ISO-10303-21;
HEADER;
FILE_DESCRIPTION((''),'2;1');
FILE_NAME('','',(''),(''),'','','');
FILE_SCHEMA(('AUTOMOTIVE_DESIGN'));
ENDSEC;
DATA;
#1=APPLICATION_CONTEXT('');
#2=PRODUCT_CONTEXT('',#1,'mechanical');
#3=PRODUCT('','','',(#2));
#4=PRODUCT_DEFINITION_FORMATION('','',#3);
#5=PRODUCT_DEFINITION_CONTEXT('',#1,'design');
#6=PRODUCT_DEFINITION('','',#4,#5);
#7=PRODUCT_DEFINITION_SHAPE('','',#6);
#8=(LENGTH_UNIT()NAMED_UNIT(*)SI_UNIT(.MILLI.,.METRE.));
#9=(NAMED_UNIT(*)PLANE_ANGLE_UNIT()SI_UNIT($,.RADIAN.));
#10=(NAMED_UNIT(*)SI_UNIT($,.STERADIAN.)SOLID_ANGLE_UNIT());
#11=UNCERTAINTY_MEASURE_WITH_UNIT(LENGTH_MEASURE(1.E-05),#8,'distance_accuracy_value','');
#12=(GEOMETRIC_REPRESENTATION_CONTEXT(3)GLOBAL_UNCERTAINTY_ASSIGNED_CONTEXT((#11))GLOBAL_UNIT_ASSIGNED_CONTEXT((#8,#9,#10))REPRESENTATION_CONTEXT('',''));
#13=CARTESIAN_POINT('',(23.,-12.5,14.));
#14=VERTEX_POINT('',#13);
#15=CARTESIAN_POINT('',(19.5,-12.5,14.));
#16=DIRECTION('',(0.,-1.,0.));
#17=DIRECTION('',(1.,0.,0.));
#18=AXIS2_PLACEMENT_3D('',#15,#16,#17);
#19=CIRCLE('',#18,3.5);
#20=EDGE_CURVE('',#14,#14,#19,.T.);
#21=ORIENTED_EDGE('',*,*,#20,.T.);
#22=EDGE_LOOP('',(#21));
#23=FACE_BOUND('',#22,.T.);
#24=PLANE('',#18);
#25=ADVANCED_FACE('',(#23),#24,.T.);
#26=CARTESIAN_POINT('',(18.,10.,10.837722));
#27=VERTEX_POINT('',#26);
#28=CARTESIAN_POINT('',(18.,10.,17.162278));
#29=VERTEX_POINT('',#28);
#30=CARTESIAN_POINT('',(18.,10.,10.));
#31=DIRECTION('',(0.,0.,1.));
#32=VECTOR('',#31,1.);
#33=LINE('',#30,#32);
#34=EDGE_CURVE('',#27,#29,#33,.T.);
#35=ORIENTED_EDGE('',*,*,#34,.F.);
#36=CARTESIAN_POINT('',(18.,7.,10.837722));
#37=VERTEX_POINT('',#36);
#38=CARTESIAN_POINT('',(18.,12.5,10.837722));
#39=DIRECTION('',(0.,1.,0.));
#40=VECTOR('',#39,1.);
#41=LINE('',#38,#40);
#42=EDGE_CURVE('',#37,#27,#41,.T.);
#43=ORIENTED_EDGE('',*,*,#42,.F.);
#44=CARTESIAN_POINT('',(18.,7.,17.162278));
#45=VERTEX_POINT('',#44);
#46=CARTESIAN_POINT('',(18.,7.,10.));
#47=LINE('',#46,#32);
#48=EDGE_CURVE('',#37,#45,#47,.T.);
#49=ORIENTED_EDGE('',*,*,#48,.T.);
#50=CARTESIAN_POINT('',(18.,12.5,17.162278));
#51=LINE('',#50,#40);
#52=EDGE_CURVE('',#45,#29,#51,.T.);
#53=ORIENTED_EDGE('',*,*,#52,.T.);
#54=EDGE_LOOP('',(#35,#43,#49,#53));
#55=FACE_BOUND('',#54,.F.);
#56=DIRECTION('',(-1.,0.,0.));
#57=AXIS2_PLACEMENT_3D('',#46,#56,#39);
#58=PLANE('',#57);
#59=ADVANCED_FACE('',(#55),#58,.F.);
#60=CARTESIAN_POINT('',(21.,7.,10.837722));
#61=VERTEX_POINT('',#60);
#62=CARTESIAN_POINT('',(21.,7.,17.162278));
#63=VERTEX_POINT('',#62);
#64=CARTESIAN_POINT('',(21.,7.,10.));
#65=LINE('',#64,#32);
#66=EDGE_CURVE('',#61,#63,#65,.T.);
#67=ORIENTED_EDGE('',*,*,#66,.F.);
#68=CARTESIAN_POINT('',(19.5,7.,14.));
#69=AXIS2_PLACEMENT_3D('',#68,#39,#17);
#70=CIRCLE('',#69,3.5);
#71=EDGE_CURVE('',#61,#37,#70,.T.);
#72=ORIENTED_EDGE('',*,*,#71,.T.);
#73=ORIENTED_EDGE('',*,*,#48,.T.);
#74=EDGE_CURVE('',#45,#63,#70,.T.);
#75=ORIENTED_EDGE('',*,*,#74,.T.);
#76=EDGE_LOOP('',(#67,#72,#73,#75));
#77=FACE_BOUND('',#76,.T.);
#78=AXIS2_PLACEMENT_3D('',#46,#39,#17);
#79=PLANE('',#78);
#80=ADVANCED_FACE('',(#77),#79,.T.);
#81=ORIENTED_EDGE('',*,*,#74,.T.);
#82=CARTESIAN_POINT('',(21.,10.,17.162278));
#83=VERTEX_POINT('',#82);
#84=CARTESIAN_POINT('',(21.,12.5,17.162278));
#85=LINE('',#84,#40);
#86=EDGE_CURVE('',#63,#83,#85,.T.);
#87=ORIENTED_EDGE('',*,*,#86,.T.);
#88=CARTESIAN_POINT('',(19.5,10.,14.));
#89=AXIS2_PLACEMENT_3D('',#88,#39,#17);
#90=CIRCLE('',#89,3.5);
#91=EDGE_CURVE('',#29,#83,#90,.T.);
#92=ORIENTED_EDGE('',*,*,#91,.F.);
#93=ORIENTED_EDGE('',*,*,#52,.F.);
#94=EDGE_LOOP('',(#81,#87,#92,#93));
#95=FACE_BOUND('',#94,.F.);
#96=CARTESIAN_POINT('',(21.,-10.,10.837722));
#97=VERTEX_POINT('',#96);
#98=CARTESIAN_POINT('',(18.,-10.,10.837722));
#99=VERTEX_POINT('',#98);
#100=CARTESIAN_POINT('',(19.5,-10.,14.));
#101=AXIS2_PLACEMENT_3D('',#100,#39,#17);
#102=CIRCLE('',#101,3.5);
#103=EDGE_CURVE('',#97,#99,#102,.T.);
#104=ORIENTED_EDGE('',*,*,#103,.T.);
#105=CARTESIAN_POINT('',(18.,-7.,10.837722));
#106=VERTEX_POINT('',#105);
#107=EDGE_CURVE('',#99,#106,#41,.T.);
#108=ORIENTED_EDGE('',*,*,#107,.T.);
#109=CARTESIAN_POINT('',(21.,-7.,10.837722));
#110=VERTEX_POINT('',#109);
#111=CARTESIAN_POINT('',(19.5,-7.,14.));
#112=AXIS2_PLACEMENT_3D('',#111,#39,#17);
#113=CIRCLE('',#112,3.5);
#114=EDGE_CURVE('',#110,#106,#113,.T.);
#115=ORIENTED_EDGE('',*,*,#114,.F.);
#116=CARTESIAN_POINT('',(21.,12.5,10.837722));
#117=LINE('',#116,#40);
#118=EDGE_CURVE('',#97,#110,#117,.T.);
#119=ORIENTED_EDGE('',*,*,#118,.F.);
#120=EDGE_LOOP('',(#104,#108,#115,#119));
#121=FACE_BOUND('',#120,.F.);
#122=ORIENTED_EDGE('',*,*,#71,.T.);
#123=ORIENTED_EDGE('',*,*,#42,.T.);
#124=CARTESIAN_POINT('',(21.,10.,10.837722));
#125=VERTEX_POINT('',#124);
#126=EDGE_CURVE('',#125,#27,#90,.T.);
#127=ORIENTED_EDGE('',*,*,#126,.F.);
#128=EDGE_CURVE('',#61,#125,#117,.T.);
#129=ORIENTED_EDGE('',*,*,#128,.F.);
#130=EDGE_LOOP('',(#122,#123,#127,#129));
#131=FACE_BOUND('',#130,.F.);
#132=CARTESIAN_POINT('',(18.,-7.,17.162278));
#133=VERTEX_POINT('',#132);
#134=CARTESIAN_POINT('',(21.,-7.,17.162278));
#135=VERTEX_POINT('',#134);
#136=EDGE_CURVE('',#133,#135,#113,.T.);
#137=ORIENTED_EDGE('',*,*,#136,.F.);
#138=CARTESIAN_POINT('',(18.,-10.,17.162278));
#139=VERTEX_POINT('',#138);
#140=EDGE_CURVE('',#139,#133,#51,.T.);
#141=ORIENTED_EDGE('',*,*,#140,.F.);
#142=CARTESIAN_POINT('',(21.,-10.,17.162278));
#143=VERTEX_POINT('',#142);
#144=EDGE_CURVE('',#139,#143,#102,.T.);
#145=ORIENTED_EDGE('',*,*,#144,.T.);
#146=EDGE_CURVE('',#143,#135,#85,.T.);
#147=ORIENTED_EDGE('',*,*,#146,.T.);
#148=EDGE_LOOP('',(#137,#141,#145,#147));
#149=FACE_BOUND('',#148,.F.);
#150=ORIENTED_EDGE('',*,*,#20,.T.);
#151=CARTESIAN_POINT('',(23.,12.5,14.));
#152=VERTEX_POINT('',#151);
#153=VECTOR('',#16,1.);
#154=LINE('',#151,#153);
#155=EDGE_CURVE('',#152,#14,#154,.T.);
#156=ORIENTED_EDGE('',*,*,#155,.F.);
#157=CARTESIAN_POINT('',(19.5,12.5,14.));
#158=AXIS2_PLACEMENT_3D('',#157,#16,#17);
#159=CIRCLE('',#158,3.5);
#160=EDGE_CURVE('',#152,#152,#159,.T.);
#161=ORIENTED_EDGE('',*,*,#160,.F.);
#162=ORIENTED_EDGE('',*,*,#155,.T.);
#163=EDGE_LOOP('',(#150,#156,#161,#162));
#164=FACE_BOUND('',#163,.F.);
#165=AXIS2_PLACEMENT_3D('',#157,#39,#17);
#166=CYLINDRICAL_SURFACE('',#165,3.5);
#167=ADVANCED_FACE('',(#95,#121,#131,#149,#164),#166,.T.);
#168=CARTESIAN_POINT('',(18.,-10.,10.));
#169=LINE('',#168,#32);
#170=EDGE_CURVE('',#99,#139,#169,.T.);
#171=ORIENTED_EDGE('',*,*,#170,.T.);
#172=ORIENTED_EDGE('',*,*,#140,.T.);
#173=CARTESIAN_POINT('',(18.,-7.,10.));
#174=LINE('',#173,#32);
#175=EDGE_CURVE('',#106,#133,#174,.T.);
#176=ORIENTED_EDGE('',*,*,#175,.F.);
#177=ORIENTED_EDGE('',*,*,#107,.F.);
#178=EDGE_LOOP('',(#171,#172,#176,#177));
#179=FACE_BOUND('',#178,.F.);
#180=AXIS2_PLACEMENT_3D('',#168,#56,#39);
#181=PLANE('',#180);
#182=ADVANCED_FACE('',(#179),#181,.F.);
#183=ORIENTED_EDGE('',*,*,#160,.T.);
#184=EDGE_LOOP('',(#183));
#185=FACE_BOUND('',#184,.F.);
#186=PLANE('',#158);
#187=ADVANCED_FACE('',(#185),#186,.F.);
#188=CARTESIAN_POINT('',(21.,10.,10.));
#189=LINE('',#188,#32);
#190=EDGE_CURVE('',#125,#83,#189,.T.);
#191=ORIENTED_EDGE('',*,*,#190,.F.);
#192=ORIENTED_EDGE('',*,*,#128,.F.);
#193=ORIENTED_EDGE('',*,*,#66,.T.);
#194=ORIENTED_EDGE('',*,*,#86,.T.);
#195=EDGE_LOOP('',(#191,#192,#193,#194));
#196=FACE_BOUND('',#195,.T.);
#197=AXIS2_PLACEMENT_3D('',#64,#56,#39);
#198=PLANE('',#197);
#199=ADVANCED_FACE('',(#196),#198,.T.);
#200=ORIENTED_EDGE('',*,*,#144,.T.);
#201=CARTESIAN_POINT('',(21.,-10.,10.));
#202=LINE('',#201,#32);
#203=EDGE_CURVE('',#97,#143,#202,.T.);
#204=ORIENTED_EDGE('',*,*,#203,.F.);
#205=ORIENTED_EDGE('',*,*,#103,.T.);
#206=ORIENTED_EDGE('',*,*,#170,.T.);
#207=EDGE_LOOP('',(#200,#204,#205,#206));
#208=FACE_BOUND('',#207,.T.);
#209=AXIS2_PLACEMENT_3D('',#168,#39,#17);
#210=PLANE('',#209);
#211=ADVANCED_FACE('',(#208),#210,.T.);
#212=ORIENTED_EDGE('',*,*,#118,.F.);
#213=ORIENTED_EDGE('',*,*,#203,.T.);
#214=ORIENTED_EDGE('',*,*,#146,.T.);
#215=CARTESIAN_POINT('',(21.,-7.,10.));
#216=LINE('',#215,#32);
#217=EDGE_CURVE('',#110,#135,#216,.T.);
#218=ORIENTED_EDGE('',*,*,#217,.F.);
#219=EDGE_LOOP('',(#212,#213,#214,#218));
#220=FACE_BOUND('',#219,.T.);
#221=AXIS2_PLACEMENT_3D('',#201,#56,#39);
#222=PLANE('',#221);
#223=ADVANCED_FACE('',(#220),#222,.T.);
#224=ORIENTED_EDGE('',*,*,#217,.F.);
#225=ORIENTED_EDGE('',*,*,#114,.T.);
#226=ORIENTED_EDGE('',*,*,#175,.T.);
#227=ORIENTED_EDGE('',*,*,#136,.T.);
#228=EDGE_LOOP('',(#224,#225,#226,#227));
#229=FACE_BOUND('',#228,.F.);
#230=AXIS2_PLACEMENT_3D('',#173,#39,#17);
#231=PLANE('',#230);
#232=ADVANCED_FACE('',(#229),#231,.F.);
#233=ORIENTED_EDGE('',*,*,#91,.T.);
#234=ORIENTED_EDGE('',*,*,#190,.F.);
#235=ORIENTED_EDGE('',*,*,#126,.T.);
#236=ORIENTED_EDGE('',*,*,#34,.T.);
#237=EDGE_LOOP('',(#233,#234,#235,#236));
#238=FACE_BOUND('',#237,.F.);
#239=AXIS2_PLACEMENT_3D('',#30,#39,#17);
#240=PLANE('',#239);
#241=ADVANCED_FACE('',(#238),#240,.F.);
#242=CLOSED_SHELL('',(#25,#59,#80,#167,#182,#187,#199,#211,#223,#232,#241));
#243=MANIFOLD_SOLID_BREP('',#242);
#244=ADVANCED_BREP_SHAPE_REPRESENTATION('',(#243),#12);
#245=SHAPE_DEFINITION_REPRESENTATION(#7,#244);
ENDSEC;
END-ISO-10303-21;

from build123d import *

# Parameters (mm, degrees)
BOX012_W          = 3
BOX012_H          = 3
BOX012_DEPTH      = 8
BOX011_W          = 3
BOX011_H          = 3
BOX011_DEPTH      = 8
CYLINDER008_R     = 3.5
CYLINDER008_DEPTH = 25


with BuildPart() as pivotrodbodypinhole2:
    # Box012 → Box012 (new body)
    with BuildSketch(Plane(origin=(18, -10, 10), x_dir=(1, 0, 0), z_dir=(0, 0, 1))):
        with Locations((1.5, 1.5)):
            Rectangle(BOX012_W, BOX012_H)
    extrude(amount=BOX012_DEPTH)


with BuildPart() as pivotrodpinholesleft:
    # Box011 → Box011 (new body)
    with BuildSketch(Plane(origin=(18, 7, 10), x_dir=(1, 0, 0), z_dir=(0, 0, 1))):
        with Locations((1.5, 1.5)):
            Rectangle(BOX011_W, BOX011_H)
    extrude(amount=BOX011_DEPTH)

    # Fusion008: union PivotRodBodyPinhole2
    add(pivotrodbodypinhole2.part)


with BuildPart() as pivotrodleft:
    # Cylinder008 → Cylinder008 (new body)
    with BuildSketch(Plane(origin=(19.5, 12.5, 14), x_dir=(1, 0, 0), z_dir=(0, -1, 0))):
        Circle(CYLINDER008_R)
    extrude(amount=CYLINDER008_DEPTH)

    # Cut006: cut PivotRodPinholesLeft
    add(pivotrodpinholesleft.part, mode=Mode.SUBTRACT)


solid = pivotrodleft.part
